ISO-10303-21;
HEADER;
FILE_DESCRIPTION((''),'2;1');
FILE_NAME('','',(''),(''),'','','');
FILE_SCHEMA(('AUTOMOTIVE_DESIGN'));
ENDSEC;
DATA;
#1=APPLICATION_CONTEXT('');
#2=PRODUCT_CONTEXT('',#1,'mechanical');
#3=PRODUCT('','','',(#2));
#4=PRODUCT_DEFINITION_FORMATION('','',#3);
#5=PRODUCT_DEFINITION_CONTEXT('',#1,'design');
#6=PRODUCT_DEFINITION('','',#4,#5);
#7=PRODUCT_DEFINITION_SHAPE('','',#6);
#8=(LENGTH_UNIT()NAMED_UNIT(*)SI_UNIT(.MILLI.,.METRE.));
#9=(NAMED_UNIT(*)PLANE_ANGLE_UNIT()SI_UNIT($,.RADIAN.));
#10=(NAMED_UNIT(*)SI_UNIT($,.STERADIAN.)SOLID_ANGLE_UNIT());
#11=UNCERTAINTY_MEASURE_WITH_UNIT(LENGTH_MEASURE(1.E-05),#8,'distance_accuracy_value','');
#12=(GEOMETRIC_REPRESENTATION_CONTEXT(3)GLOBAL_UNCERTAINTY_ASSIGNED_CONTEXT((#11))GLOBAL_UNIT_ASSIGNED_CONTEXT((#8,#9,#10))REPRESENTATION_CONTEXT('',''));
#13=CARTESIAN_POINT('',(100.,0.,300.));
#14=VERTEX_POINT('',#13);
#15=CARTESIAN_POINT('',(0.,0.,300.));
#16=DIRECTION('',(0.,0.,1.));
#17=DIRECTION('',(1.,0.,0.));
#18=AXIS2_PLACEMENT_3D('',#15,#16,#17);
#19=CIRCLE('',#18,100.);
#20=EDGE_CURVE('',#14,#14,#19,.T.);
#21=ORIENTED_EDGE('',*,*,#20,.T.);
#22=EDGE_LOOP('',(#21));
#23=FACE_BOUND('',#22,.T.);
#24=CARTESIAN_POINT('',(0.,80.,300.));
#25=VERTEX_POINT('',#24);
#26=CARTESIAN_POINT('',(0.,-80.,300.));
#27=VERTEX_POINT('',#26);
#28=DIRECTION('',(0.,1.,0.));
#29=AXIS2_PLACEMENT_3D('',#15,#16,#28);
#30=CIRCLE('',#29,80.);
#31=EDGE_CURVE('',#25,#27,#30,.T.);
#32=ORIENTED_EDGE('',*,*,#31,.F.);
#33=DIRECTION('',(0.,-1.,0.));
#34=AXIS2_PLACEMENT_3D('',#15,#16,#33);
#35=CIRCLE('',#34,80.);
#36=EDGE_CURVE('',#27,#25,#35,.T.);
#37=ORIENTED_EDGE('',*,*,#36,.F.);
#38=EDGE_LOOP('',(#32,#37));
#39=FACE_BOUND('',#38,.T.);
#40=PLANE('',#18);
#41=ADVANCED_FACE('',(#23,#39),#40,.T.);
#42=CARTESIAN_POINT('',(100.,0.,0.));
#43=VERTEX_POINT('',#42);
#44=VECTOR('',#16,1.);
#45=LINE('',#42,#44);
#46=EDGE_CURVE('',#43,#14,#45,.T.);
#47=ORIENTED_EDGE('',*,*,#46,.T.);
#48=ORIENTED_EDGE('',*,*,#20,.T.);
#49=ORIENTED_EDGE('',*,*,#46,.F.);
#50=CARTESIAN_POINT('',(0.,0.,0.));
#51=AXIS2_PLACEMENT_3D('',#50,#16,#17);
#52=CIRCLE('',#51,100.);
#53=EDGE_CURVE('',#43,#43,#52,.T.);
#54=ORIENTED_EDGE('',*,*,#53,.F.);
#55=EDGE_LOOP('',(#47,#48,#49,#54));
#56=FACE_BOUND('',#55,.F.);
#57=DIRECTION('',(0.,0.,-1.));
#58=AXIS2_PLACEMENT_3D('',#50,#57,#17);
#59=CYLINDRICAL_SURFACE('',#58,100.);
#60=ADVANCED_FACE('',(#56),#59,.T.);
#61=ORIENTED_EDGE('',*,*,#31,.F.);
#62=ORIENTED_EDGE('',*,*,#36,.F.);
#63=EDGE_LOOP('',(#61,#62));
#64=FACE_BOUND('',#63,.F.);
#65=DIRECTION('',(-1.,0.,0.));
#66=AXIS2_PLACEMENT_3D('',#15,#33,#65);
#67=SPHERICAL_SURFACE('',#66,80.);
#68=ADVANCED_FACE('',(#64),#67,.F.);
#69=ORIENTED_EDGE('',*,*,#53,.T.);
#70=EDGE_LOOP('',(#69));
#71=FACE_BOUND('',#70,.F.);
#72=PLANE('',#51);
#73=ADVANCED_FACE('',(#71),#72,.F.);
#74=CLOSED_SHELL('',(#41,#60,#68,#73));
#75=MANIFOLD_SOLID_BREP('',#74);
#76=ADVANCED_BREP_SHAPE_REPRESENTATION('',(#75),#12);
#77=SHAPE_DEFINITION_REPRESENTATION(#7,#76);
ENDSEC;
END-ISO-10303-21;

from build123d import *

# Parameters (mm, degrees)
F0_R     = 100
F1_DEPTH = 300


with BuildPart() as f1:
    # F0 (on Top) → F1 (new body)
    with BuildSketch(Plane.XY):
        Circle(F0_R)
    extrude(amount=F1_DEPTH)

    # F2 (on face) → F3 (revolve, cut)
    with BuildSketch(Plane.XY.offset(300)):
        with BuildLine():
            Line((0, -80), (0, 80))
            ThreePointArc((0, 80), (-80, 0), (0, -80))
        make_face()
    revolve(axis=Axis((0, 0, 300), (0, -1, 0)), mode=Mode.SUBTRACT)


solid = f1.part
